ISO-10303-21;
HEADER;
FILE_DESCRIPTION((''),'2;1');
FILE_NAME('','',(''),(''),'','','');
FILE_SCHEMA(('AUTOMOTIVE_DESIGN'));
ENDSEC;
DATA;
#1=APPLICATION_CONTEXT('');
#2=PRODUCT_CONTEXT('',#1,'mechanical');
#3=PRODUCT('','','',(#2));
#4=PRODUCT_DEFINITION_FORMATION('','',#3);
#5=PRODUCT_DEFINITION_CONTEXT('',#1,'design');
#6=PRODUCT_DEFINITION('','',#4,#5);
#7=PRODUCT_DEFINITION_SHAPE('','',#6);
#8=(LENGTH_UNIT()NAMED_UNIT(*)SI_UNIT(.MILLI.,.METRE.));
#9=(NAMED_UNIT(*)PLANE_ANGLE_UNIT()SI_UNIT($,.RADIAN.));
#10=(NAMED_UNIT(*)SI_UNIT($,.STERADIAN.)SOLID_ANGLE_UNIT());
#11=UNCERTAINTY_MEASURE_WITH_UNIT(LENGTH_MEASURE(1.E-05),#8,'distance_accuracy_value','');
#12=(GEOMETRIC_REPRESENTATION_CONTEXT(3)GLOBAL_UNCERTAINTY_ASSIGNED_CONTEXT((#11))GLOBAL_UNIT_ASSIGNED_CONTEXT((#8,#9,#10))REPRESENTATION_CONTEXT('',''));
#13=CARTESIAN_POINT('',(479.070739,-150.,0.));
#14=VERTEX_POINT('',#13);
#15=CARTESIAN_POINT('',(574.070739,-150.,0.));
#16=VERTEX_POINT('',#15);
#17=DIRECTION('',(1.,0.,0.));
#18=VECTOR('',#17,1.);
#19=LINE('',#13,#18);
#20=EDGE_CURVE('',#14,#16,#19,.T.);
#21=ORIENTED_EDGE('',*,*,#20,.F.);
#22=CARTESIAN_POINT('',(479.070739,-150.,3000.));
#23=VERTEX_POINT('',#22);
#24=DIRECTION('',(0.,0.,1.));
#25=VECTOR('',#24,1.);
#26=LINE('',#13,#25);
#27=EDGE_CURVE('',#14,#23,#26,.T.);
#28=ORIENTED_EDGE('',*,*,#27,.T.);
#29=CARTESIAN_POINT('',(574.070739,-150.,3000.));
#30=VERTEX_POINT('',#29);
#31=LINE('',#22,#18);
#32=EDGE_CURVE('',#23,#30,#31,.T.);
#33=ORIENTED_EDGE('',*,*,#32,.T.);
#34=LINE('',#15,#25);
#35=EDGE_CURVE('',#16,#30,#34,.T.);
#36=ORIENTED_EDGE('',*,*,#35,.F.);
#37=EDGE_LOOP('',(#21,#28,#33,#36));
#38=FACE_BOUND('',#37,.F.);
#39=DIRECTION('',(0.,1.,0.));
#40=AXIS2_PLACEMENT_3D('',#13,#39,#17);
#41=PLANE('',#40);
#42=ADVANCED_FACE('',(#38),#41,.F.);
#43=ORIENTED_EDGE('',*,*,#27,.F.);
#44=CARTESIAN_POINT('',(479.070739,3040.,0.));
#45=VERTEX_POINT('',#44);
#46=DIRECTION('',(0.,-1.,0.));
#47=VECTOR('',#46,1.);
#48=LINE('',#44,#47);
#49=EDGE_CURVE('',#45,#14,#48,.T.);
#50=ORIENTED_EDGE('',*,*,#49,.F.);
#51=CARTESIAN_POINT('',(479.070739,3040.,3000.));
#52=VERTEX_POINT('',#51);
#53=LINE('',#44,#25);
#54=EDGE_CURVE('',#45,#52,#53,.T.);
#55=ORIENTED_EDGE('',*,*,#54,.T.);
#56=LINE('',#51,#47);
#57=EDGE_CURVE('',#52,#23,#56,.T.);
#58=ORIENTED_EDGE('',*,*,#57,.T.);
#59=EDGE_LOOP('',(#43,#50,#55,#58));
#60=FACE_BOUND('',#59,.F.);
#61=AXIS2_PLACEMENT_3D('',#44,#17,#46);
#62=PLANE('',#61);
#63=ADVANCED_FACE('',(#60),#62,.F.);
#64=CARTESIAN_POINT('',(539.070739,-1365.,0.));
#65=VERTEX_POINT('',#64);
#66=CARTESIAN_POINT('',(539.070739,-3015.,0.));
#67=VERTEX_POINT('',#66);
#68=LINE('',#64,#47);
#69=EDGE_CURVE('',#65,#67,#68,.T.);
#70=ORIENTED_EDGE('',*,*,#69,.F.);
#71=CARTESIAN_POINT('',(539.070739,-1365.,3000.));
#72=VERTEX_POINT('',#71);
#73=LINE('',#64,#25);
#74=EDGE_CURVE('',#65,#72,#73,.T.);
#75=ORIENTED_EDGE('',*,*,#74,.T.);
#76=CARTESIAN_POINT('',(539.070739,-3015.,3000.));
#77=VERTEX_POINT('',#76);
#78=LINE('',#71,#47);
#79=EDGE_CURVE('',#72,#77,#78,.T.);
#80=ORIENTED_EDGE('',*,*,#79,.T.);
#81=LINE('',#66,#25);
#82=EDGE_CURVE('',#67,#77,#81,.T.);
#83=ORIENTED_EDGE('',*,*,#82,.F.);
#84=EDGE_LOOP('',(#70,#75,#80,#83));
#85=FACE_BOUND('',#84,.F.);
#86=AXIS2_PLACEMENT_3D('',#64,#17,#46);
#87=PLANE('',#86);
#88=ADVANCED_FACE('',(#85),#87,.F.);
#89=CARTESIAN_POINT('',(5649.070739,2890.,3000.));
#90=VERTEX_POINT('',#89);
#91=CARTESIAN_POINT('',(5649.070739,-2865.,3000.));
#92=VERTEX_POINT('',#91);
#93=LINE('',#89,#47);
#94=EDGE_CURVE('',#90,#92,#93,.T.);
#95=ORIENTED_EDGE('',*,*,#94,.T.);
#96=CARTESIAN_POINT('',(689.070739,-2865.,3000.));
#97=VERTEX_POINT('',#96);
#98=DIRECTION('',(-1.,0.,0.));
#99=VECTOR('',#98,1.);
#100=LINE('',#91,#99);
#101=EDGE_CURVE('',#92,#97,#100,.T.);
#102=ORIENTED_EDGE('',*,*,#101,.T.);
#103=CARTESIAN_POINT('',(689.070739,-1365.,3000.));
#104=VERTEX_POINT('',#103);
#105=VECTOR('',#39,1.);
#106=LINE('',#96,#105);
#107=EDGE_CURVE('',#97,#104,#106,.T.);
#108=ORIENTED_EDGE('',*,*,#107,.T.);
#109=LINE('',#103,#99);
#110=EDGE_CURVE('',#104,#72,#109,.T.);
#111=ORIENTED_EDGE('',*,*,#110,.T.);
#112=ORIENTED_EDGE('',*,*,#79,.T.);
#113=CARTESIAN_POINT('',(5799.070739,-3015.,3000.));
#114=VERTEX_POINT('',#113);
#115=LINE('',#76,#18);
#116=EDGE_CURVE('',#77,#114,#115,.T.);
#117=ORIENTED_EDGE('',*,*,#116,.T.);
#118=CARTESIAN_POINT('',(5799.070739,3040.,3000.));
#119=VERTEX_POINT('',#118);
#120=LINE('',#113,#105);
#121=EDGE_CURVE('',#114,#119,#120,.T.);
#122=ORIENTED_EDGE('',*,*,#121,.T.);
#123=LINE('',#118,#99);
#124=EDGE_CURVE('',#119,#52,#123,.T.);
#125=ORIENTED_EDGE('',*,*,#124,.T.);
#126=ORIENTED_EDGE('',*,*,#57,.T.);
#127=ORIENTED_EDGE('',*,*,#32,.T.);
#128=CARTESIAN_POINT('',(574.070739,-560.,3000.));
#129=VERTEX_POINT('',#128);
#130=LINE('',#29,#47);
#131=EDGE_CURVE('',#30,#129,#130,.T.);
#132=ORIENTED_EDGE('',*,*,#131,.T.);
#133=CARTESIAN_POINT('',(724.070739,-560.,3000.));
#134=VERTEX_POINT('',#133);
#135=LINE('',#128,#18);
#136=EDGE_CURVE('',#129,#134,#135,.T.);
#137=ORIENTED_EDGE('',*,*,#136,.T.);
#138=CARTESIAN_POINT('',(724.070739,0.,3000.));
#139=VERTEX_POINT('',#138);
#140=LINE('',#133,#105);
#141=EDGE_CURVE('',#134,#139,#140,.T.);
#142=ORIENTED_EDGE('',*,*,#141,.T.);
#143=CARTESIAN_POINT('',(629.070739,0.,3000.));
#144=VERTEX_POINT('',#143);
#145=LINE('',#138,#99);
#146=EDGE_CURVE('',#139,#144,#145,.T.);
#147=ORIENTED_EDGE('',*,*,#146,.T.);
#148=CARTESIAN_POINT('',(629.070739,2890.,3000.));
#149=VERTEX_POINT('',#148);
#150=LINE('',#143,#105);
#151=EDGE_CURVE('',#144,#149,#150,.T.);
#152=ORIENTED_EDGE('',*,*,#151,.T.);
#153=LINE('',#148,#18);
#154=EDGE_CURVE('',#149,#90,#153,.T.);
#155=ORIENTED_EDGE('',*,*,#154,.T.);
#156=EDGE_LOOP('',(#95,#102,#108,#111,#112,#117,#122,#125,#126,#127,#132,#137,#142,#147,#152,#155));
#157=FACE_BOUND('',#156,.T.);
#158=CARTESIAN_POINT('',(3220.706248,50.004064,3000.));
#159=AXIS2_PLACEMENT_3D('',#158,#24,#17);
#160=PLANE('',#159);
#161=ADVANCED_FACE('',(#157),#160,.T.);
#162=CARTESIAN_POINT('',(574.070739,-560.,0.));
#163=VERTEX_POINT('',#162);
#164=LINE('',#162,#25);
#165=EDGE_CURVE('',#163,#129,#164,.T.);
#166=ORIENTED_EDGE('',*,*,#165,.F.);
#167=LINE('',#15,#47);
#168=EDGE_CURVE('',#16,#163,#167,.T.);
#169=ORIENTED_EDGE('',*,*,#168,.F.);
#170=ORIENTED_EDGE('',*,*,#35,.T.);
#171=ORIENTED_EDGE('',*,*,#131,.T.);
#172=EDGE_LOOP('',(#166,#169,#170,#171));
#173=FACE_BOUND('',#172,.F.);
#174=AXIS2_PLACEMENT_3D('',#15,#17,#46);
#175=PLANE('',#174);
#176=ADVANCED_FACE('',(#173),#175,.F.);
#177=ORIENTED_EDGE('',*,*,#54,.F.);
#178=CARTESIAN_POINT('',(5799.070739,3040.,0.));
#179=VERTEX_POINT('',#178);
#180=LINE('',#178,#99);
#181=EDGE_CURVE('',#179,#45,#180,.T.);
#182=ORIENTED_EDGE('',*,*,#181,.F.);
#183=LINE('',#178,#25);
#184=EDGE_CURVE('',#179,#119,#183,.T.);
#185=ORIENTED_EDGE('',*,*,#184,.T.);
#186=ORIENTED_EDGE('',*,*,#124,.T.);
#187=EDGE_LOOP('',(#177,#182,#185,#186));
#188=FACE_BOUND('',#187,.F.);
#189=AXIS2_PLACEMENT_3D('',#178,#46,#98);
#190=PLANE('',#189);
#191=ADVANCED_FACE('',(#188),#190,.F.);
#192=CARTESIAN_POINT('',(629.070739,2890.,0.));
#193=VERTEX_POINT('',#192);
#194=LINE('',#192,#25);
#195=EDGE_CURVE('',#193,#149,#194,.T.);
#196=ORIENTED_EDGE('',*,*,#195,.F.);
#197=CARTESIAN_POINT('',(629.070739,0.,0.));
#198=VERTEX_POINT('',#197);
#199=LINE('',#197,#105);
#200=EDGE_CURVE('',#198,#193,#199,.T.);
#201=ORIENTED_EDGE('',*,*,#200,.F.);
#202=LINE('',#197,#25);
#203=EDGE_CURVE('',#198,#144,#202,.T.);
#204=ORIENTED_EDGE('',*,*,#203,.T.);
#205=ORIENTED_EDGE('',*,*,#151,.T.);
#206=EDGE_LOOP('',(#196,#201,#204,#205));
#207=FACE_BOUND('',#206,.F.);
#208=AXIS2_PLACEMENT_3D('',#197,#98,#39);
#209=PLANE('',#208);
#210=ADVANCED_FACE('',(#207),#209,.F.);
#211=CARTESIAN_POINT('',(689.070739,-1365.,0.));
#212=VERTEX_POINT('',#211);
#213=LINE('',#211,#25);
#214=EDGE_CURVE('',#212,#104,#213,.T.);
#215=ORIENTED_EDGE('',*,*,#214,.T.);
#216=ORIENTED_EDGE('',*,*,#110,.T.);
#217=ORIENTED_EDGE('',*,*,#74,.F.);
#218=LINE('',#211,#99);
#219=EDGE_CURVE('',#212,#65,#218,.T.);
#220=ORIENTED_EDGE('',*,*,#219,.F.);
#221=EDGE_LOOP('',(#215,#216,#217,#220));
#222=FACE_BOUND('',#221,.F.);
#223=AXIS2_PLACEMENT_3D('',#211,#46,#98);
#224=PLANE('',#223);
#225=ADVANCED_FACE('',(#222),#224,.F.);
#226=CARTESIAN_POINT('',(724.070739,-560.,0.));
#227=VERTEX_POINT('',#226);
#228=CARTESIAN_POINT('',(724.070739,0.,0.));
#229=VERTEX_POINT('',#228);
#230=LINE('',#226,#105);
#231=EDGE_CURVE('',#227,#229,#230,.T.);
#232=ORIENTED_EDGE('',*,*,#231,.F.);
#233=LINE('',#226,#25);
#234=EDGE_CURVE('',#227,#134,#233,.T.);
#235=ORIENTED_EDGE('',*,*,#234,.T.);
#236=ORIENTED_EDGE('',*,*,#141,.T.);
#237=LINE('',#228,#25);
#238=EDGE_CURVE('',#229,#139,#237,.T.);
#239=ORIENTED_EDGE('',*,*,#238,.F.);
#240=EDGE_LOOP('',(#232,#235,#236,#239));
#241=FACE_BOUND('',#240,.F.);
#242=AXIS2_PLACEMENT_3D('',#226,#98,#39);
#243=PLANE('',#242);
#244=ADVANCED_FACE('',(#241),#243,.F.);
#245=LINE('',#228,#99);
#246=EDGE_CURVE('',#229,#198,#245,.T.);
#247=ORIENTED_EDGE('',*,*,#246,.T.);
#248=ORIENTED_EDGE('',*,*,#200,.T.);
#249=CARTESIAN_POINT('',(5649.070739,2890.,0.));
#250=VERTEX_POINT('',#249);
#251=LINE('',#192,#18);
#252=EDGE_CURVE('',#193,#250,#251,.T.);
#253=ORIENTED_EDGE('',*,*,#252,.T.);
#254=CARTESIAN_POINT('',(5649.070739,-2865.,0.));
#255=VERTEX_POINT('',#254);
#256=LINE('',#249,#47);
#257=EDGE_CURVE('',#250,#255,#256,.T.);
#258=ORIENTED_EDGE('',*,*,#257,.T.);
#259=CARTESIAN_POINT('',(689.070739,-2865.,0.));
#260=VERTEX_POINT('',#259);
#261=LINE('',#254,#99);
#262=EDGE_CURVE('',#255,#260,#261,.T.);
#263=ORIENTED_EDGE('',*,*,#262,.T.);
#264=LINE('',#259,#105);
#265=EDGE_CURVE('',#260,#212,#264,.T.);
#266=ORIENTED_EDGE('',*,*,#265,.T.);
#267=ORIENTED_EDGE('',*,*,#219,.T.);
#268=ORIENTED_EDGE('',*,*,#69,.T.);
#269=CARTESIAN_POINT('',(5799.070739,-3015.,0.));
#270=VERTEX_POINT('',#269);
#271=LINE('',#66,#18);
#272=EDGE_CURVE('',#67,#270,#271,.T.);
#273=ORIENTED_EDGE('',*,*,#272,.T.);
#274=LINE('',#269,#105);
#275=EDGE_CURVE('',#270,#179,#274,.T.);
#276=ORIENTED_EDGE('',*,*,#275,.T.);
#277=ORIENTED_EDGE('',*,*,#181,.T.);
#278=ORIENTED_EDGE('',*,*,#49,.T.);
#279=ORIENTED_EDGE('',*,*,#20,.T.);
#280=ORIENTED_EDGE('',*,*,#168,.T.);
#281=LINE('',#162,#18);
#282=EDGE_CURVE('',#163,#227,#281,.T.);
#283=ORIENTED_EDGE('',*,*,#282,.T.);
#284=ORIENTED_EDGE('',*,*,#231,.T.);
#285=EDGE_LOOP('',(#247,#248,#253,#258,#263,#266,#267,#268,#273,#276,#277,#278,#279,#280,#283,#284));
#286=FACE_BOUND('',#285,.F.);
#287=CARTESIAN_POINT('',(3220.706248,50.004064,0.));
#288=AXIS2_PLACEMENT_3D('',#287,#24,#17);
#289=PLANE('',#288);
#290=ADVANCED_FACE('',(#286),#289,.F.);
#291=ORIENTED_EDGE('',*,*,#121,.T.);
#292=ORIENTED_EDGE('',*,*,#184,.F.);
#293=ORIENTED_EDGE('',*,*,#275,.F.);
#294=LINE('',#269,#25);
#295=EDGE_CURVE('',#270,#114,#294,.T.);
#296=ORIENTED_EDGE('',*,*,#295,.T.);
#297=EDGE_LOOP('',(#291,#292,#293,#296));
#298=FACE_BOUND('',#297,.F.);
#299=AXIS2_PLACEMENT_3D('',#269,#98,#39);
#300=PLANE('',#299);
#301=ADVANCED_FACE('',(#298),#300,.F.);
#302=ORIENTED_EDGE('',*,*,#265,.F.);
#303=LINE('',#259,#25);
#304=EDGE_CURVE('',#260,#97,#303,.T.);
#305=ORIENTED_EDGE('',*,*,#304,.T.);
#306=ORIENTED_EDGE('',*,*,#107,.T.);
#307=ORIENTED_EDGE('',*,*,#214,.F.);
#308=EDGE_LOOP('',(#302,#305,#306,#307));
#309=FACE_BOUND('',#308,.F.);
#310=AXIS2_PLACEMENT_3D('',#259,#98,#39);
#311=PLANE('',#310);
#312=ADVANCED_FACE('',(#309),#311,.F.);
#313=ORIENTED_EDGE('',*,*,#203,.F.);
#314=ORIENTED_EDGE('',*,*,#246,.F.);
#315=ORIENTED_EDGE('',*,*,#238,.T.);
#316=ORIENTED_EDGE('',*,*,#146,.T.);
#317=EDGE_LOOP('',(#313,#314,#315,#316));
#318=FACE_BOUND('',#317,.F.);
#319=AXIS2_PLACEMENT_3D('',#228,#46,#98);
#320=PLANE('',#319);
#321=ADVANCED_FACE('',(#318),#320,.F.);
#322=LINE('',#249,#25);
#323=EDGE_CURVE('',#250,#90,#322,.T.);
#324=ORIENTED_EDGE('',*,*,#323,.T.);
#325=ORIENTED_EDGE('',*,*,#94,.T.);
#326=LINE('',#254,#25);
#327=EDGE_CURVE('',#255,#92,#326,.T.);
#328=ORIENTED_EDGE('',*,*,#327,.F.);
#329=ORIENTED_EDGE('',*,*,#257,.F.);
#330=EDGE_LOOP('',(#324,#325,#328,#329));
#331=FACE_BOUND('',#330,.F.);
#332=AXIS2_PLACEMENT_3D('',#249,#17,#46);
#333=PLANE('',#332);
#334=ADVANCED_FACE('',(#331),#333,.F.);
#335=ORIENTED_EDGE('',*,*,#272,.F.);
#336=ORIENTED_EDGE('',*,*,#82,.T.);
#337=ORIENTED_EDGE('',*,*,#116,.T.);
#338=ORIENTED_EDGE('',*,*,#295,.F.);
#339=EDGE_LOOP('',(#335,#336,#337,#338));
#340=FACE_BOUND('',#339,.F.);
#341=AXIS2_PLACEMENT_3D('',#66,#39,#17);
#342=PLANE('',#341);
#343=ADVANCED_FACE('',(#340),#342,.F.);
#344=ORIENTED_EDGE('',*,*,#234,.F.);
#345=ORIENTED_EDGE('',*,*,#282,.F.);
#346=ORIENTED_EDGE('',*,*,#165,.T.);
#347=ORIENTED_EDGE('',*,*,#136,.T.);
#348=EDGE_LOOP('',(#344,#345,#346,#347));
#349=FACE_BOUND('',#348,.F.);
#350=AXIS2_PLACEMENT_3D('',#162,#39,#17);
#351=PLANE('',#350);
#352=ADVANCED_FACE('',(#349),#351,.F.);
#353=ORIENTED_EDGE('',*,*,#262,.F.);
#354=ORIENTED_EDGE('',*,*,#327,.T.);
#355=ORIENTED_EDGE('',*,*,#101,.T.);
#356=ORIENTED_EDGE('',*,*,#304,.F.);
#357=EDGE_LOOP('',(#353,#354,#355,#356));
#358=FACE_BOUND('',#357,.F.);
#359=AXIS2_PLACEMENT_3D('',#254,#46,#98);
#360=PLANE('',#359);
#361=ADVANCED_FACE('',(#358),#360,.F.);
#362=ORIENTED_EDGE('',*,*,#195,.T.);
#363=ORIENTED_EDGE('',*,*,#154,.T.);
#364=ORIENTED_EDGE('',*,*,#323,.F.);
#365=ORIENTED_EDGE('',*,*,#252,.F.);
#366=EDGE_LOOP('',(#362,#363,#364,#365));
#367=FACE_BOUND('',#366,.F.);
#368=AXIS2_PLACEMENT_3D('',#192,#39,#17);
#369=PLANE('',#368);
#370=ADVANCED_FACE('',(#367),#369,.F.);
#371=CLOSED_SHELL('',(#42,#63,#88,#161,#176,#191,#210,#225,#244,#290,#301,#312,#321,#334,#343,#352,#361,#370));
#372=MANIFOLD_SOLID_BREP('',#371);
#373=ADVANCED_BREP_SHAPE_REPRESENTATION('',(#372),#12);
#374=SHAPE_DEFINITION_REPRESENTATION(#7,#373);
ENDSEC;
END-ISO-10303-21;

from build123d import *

# Parameters (mm, degrees)
F1_DEPTH = 3000


with BuildPart() as f1:
    # F0 (on Top) → F1 (new body)
    with BuildSketch(Plane.XY):
        Polygon((629.070739, 0), (629.070739, 2890), (5649.070739, 2890), (5649.070739, -2865), (689.070739, -2865), (689.070739, -1365), (539.070739, -1365), (539.070739, -3015), (5799.070739, -3015), (5799.070739, 3040), (479.070739, 3040), (479.070739, -150), (574.070739, -150), (574.070739, -560), (724.070739, -560), (724.070739, 0), align=None)
    extrude(amount=F1_DEPTH)


solid = f1.part
